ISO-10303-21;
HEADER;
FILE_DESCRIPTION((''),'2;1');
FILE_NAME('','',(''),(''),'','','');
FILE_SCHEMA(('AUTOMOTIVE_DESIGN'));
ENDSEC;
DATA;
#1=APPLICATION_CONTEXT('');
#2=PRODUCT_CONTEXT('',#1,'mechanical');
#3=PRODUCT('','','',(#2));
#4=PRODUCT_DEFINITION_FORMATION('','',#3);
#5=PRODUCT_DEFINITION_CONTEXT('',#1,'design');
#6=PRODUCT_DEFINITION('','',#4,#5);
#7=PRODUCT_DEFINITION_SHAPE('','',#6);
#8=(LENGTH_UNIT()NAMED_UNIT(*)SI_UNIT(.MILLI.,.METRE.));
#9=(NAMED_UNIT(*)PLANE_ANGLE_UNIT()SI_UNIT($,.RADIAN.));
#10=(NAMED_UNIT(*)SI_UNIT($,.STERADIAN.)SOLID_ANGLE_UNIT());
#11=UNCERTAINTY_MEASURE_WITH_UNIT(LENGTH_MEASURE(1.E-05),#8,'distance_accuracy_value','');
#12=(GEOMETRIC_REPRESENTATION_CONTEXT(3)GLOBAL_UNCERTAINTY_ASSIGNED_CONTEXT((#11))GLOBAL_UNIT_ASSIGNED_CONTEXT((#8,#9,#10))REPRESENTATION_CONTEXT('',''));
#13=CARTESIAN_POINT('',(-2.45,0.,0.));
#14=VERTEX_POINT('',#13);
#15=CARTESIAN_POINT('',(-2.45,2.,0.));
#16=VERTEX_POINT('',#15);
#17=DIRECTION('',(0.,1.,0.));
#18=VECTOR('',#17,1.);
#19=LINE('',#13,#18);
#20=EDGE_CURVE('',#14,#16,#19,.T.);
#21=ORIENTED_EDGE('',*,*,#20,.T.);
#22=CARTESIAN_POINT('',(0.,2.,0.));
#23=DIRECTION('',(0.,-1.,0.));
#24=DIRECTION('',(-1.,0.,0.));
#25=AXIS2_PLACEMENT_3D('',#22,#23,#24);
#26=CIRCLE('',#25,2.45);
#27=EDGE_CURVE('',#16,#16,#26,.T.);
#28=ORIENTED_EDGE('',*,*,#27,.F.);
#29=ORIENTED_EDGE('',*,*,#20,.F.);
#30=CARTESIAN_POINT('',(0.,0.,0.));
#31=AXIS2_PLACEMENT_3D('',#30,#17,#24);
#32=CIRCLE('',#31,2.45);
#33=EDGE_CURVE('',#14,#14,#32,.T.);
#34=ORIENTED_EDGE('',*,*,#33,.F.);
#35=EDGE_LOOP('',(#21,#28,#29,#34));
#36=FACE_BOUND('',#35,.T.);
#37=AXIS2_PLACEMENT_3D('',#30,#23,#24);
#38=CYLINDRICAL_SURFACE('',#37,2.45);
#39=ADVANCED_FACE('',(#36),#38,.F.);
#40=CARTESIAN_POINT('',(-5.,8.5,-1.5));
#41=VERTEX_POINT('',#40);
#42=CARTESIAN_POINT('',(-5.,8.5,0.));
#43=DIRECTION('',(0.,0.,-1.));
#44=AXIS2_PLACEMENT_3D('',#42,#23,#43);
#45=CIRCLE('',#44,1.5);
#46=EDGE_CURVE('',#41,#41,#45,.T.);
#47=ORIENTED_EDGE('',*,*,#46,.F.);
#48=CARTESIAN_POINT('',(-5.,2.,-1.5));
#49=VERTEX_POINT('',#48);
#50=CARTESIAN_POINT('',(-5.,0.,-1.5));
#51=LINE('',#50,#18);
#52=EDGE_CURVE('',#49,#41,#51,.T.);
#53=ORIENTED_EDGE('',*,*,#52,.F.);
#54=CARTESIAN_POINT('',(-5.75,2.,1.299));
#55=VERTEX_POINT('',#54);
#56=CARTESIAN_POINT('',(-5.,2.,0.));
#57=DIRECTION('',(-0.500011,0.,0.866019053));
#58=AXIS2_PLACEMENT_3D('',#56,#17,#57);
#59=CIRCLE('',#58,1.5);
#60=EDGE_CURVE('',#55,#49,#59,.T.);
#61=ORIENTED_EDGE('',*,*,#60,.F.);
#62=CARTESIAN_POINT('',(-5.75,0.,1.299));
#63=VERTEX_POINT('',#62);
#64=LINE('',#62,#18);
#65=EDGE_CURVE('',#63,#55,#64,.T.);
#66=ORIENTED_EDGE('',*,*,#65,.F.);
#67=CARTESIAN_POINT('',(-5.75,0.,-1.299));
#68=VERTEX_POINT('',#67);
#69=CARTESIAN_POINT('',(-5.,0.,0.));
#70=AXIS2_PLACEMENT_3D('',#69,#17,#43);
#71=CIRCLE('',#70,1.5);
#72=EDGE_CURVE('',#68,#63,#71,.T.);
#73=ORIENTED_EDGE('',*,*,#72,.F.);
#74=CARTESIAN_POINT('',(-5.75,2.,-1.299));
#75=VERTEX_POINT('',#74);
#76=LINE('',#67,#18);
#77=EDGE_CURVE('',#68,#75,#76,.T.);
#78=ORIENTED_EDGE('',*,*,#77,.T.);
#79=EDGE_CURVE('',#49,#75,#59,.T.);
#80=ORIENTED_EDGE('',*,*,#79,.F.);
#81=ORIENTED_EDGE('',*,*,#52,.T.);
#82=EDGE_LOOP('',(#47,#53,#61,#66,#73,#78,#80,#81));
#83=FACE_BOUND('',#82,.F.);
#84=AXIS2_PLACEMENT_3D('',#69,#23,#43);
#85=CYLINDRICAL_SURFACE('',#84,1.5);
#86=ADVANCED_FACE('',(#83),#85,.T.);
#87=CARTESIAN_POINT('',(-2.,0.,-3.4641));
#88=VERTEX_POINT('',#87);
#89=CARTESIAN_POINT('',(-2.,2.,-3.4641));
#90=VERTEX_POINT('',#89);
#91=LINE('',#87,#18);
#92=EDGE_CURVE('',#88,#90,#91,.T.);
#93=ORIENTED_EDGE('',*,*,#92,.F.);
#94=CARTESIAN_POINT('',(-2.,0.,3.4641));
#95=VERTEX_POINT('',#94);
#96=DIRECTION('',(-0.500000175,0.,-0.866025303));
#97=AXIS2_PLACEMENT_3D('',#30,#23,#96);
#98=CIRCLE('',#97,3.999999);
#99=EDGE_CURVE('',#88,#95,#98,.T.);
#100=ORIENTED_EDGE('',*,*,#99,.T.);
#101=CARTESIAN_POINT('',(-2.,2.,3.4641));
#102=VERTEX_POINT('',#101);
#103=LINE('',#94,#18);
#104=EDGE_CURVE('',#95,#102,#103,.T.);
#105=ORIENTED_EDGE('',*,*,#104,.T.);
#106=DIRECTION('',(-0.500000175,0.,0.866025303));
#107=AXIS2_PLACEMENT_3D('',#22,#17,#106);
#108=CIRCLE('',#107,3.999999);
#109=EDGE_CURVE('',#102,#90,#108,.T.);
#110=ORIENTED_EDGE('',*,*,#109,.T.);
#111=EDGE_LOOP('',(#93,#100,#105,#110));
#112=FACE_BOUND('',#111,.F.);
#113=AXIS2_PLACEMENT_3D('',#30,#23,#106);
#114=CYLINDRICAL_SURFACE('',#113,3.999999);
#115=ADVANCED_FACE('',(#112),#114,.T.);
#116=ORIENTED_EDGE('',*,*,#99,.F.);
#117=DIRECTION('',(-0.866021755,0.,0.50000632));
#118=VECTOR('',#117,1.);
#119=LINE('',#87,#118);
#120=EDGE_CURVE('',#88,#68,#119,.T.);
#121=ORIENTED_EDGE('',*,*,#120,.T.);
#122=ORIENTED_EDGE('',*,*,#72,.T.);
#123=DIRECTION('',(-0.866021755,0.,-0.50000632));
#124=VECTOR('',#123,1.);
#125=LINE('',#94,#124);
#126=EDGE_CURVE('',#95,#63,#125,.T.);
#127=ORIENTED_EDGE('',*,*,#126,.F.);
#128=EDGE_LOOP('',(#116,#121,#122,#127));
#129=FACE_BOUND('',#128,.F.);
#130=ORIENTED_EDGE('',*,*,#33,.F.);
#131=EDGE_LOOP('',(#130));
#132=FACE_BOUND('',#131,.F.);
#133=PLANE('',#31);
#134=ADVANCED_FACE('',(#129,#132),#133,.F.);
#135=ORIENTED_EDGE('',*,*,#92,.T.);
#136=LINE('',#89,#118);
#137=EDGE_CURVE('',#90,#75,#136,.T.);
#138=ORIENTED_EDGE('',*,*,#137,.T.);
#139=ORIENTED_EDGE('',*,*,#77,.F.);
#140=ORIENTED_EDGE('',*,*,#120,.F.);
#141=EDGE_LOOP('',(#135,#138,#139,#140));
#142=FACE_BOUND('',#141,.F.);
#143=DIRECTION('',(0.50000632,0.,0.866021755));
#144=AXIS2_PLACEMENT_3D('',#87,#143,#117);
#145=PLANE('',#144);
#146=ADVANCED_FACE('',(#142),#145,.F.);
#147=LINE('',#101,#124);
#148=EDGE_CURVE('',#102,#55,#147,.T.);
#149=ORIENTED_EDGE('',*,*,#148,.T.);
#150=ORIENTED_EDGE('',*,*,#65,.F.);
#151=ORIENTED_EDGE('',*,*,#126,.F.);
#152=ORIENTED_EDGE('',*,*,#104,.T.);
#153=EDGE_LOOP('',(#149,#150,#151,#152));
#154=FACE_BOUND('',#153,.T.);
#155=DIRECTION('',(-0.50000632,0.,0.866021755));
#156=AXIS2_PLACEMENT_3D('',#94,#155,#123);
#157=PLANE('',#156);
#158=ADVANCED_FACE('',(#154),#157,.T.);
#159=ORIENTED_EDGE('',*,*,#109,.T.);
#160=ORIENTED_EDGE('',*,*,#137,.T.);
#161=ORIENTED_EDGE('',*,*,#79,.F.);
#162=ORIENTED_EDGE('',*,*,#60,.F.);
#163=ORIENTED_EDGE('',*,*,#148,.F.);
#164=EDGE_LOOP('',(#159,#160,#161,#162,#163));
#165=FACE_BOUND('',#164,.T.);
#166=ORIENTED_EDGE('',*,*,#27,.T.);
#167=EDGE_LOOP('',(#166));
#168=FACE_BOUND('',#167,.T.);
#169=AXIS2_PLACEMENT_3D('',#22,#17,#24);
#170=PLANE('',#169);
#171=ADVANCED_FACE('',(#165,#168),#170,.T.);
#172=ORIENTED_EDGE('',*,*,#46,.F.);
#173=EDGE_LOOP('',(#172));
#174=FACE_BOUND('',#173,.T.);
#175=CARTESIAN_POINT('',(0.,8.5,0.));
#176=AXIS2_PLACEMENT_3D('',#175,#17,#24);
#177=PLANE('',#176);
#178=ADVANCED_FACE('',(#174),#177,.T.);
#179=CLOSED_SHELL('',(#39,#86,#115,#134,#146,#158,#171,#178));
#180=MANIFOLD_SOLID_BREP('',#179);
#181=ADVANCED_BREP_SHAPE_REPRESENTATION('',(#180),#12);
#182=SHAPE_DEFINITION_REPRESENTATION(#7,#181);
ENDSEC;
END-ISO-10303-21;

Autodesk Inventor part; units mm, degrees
ref_plane "YZ Plane" through (0, 0, 0) normal (1, 0, 0) x (0, 1, 0)
ref_plane "XZ Plane" through (0, 0, 0) normal (0, 1, 0) x (-1, 0, 0)
ref_plane "XY Plane" through (0, 0, 0) normal (0, 0, 1) x (1, 0, 0)
sketch "Эскиз1" plane through (0, 0, 0) normal (0, 1, 0) x (-1, 0, 0)
  circle A0 centre (0, 0) radius 2.45
  arc A1 (2, 3.4641) -> (2, -3.4641) centre (0, 0) ccw
  line L0 (5, 0) -> (5, 0) construction
  line L1 (5, 1.5) -> (5, 1.5)
  line L2 (5, -1.5) -> (5, -1.5)
  arc A2 (5, -1.5) -> (5, 1.5) centre (5, 0) ccw
  arc A3 (5, 1.5) -> (5, -1.5) centre (5, 0) ccw
  line L3 (8.6, 0) -> (-6.1, 0) projected
  line L4 (2, 3.4641) -> (5.75, 1.299)
  line L5 (2, -3.4641) -> (5.75, -1.299)
  arc A4 (5.75, -1.299) -> (5.75, 1.299) centre (5, 0) ccw
  point P0 (5, 0)
  point P1 (5, -1.5)
  dimension "d0" = 4.9
  dimension "d1" = 8
  dimension "d2" = 1.5
  dimension "d3" = 1.5
  dimension "d4" = 0
  dimension "d5" = 5
extrude "Выдавливание1" add sketch "Эскиз1" along normal blind 2 contours L3 A3 A2 L5 A1 A0 | A0 L3 A1 L4 A2 A3
extrude "Выдавливание2" add sketch "Эскиз1" along normal blind 8.5 contours L3 A2 A3 | A3 A2 L3
sketch "Эскиз2" plane through (0, 0, 0) normal (0, 1, 0) x (-1, 0, 0)
  line L0 (14, 0) -> (-14, 0) projected
  point P0 (0, 0)
properties part number "Рулевой толкатель на сервопривод"
